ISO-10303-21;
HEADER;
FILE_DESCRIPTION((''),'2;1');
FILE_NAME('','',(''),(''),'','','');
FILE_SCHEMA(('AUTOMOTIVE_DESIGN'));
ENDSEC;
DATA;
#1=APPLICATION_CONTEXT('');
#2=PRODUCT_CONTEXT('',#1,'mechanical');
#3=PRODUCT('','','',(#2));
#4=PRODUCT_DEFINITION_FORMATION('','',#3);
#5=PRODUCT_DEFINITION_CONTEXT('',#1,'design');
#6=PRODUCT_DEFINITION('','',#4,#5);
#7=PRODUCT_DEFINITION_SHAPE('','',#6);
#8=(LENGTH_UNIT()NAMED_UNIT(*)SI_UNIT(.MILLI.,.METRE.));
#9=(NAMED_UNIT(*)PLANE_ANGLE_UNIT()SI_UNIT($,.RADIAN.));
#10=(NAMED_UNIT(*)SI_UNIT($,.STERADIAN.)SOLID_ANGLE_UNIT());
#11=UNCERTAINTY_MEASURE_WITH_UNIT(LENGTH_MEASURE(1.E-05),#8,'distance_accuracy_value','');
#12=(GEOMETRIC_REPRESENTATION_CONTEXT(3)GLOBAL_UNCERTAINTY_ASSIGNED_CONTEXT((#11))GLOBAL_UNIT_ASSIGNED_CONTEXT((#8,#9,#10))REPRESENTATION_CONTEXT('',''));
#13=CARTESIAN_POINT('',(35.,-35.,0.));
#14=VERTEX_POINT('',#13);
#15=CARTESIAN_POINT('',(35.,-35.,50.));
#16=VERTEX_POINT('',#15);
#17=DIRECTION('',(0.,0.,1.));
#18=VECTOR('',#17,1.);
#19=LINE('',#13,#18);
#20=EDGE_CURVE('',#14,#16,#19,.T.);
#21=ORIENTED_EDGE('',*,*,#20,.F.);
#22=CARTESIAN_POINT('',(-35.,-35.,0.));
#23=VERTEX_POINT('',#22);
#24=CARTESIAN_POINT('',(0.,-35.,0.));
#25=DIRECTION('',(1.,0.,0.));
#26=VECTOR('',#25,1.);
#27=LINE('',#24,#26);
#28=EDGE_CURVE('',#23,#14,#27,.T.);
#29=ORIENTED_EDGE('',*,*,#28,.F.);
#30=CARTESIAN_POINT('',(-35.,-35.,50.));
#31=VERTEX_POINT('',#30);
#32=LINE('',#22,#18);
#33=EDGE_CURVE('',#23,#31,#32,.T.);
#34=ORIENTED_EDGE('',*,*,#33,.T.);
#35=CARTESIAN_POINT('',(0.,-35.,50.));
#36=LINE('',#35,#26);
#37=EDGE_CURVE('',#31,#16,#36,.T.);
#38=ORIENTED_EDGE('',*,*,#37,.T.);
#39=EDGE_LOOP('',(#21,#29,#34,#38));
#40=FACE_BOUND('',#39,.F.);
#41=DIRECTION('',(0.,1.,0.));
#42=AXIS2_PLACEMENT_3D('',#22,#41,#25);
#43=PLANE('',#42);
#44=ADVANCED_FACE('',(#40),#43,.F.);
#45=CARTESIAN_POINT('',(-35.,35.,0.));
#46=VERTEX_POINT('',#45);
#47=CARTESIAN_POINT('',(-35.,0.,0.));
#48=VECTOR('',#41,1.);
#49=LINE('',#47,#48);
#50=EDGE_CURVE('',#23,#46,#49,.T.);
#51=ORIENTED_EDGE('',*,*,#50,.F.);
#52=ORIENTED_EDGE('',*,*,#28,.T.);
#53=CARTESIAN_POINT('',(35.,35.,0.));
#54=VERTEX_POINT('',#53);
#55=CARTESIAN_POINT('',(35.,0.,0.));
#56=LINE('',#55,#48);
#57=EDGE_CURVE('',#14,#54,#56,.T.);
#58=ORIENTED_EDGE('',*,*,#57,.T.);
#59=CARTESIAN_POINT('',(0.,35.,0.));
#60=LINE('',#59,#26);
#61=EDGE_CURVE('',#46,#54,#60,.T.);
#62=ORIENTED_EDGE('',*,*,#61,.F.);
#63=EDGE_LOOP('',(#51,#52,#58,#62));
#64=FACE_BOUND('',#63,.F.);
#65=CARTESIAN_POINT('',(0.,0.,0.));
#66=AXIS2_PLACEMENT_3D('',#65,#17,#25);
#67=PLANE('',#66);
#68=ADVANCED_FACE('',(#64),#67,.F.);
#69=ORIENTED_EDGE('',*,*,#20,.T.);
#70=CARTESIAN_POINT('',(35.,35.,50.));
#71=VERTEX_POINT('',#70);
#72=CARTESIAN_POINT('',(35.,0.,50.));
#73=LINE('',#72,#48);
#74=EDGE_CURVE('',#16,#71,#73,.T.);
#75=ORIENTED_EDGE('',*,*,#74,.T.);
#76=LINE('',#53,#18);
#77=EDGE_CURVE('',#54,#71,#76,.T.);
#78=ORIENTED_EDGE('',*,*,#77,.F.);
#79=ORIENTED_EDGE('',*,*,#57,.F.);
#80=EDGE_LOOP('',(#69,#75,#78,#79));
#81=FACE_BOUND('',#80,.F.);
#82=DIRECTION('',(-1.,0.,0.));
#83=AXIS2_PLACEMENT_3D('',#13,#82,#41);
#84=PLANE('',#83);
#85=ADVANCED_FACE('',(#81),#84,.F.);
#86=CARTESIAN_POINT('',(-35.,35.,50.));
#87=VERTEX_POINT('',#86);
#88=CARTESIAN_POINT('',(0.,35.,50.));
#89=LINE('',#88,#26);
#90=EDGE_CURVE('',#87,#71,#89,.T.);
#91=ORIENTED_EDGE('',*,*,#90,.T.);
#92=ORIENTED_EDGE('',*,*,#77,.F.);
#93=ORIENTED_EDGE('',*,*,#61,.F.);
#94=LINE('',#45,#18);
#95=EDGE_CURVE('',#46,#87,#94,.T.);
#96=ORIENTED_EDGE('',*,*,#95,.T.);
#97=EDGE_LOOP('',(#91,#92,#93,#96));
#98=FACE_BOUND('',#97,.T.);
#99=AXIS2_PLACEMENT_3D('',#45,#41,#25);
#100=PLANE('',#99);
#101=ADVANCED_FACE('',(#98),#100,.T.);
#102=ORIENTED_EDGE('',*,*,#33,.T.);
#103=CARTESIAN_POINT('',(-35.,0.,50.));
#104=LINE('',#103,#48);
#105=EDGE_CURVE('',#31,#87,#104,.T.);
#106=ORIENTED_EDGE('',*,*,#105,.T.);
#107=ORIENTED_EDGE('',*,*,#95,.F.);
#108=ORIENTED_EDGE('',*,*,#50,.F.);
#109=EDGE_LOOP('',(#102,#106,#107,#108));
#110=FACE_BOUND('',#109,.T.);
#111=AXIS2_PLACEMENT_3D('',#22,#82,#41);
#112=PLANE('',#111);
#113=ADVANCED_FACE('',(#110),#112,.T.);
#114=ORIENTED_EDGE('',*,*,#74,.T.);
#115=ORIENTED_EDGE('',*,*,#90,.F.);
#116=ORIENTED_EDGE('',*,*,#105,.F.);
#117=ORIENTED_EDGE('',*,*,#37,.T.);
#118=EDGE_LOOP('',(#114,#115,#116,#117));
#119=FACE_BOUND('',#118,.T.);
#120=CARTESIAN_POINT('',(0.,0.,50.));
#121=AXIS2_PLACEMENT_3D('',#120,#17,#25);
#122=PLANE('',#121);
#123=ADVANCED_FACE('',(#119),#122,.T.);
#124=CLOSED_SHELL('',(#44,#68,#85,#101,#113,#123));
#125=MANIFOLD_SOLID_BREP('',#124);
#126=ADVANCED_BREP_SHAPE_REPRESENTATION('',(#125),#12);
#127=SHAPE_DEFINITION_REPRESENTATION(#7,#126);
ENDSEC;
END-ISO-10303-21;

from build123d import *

# Parameters (mm, degrees)
SKETCH_W      = 70
SKETCH_H      = 70
EXTRUDE_DEPTH = 50


with BuildPart() as part:
    # Sketch → Extrude (new body)
    with BuildSketch(Plane.XY):
        Rectangle(SKETCH_W, SKETCH_H)
    extrude(amount=EXTRUDE_DEPTH)


solid = part.part
